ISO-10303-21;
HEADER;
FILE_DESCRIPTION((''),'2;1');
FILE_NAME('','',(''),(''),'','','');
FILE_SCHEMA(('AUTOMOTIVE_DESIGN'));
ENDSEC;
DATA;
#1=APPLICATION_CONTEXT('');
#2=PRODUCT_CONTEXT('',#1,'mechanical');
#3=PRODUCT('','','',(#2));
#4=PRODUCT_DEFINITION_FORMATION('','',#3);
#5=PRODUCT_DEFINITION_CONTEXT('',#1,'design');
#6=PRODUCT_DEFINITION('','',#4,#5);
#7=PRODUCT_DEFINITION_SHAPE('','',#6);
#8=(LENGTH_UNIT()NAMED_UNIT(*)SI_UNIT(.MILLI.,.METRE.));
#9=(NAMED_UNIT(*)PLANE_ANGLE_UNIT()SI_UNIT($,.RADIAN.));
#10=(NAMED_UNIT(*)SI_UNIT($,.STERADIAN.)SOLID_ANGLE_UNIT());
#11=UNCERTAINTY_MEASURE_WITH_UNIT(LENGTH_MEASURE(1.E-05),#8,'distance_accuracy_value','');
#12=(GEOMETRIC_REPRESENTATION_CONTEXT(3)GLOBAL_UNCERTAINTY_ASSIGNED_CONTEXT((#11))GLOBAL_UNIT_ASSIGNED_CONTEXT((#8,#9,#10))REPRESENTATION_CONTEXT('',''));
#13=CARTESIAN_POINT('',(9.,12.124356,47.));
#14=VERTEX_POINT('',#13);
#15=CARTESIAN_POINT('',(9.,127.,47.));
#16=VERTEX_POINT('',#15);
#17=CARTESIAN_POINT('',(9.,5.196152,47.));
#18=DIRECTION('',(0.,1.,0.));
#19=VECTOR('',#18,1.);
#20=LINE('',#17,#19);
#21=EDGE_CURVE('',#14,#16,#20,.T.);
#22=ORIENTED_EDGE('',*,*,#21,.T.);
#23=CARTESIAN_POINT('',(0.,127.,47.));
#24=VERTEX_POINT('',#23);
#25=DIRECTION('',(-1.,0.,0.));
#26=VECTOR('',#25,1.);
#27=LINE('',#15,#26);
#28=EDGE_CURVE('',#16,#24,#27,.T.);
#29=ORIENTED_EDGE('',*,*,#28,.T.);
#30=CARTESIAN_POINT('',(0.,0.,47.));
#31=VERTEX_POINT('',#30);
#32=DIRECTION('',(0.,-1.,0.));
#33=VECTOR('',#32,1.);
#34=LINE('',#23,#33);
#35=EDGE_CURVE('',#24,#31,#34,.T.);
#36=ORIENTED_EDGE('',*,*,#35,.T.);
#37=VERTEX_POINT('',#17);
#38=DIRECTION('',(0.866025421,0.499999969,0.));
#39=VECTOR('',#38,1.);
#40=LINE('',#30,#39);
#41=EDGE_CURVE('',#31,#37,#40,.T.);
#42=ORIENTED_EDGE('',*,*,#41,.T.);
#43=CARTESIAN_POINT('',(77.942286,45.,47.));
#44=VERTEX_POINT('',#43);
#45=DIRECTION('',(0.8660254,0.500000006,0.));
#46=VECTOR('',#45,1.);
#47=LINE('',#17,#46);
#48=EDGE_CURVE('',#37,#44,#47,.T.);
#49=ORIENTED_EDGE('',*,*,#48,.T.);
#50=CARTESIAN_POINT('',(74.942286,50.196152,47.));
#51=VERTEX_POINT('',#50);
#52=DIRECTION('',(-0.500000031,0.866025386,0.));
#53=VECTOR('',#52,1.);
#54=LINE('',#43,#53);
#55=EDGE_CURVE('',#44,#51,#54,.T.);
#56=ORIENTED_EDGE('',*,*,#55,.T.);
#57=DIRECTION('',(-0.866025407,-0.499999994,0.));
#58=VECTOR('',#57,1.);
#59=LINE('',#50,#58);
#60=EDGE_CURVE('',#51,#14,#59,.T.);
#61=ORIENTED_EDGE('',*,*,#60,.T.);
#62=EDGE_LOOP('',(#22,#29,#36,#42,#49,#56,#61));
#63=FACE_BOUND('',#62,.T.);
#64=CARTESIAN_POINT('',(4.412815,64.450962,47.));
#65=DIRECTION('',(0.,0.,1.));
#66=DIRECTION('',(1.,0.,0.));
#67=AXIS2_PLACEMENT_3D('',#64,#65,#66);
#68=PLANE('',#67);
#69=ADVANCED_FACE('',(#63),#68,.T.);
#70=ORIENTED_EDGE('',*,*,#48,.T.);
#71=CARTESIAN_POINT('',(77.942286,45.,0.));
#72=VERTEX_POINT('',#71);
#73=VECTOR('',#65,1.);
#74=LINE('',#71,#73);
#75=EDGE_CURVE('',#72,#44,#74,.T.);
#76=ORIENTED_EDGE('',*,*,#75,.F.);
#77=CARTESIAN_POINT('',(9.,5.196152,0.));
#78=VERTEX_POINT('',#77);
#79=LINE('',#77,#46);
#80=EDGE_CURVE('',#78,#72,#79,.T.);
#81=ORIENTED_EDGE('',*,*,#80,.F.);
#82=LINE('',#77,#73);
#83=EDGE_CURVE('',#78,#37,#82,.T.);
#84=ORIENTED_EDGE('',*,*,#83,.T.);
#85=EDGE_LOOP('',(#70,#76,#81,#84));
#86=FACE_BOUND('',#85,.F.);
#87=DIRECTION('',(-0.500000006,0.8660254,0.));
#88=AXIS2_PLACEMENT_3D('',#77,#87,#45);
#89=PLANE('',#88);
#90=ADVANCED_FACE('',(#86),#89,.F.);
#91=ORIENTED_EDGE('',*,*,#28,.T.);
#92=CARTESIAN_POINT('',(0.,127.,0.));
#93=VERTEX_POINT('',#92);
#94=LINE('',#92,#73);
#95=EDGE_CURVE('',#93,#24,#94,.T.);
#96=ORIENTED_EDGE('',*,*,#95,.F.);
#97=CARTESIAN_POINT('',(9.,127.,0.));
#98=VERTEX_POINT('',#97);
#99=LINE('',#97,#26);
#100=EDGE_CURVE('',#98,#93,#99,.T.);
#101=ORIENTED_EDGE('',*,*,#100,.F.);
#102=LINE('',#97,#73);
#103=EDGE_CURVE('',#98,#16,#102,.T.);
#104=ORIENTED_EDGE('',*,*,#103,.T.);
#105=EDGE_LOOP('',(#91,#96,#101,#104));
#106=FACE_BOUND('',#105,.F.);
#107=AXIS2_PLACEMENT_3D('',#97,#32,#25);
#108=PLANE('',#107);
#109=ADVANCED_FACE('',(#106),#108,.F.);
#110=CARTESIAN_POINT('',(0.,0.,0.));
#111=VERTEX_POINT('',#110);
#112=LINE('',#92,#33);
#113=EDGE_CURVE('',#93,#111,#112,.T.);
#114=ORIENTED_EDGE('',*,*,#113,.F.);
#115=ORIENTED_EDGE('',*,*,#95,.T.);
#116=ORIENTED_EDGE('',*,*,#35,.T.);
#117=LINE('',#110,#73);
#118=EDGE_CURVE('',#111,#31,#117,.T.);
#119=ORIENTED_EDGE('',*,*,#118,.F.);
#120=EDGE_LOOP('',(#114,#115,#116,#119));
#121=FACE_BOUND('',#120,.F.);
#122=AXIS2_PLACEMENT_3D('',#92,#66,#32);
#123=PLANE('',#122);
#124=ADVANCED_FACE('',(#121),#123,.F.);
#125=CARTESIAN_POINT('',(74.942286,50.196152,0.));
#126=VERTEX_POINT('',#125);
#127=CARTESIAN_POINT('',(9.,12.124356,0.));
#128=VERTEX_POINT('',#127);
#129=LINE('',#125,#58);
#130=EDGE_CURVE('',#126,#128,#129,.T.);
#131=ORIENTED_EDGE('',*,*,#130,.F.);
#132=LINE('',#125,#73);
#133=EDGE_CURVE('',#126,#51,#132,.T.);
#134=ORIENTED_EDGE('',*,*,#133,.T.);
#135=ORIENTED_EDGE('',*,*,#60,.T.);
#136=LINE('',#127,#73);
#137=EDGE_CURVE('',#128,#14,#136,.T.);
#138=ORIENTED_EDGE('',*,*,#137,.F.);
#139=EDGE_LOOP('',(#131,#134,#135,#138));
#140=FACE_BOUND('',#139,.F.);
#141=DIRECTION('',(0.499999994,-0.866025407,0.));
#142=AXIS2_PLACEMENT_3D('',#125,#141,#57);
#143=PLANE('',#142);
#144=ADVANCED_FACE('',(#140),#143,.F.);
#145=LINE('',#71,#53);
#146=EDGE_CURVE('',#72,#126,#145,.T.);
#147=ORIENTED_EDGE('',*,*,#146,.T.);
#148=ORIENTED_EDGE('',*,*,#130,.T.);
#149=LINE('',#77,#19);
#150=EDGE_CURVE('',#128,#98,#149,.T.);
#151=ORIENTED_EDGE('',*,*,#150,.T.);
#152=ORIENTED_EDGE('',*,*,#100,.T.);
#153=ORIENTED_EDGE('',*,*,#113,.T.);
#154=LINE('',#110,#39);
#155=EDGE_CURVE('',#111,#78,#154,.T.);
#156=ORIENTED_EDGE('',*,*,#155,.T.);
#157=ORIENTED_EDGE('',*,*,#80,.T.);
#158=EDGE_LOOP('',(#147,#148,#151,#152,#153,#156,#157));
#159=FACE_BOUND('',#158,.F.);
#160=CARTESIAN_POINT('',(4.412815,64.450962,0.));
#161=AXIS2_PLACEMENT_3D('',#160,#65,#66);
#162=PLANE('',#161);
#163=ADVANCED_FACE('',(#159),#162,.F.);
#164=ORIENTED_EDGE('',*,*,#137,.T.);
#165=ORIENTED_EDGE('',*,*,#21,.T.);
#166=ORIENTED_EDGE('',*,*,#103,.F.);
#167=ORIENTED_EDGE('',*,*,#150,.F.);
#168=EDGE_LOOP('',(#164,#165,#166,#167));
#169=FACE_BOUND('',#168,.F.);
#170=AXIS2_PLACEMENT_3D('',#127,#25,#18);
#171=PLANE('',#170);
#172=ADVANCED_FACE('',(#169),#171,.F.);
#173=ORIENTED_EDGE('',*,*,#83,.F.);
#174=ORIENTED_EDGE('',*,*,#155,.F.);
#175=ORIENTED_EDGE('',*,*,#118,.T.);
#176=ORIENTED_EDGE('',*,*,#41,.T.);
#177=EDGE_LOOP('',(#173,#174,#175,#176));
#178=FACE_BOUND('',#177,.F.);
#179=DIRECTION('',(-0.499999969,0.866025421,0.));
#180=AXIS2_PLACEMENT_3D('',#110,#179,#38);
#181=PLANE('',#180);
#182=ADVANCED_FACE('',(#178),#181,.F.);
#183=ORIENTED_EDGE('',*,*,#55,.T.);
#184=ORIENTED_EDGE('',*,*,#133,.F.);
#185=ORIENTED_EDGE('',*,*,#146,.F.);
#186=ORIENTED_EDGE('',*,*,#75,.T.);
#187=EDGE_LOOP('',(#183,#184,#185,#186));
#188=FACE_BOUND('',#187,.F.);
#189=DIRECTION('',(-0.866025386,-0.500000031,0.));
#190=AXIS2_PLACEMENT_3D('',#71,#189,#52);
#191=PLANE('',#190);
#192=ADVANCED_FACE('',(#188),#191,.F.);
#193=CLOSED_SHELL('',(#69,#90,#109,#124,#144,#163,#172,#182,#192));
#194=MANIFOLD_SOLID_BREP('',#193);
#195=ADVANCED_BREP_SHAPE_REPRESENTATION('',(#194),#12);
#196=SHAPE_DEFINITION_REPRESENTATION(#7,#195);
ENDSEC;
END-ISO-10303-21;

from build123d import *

# Parameters (mm, degrees)
F1_DEPTH = 47


with BuildPart() as f1:
    # F0 (on Top) → F1 (new body)
    with BuildSketch(Plane.XY):
        Polygon((0, 127), (0, 0), (9, 5.196152), (9, 12.124356), (9, 127), align=None)
        Polygon((9, 12.124356), (9, 5.196152), (77.942286, 45), (74.942286, 50.196152), align=None)
    extrude(amount=F1_DEPTH)


solid = f1.part
